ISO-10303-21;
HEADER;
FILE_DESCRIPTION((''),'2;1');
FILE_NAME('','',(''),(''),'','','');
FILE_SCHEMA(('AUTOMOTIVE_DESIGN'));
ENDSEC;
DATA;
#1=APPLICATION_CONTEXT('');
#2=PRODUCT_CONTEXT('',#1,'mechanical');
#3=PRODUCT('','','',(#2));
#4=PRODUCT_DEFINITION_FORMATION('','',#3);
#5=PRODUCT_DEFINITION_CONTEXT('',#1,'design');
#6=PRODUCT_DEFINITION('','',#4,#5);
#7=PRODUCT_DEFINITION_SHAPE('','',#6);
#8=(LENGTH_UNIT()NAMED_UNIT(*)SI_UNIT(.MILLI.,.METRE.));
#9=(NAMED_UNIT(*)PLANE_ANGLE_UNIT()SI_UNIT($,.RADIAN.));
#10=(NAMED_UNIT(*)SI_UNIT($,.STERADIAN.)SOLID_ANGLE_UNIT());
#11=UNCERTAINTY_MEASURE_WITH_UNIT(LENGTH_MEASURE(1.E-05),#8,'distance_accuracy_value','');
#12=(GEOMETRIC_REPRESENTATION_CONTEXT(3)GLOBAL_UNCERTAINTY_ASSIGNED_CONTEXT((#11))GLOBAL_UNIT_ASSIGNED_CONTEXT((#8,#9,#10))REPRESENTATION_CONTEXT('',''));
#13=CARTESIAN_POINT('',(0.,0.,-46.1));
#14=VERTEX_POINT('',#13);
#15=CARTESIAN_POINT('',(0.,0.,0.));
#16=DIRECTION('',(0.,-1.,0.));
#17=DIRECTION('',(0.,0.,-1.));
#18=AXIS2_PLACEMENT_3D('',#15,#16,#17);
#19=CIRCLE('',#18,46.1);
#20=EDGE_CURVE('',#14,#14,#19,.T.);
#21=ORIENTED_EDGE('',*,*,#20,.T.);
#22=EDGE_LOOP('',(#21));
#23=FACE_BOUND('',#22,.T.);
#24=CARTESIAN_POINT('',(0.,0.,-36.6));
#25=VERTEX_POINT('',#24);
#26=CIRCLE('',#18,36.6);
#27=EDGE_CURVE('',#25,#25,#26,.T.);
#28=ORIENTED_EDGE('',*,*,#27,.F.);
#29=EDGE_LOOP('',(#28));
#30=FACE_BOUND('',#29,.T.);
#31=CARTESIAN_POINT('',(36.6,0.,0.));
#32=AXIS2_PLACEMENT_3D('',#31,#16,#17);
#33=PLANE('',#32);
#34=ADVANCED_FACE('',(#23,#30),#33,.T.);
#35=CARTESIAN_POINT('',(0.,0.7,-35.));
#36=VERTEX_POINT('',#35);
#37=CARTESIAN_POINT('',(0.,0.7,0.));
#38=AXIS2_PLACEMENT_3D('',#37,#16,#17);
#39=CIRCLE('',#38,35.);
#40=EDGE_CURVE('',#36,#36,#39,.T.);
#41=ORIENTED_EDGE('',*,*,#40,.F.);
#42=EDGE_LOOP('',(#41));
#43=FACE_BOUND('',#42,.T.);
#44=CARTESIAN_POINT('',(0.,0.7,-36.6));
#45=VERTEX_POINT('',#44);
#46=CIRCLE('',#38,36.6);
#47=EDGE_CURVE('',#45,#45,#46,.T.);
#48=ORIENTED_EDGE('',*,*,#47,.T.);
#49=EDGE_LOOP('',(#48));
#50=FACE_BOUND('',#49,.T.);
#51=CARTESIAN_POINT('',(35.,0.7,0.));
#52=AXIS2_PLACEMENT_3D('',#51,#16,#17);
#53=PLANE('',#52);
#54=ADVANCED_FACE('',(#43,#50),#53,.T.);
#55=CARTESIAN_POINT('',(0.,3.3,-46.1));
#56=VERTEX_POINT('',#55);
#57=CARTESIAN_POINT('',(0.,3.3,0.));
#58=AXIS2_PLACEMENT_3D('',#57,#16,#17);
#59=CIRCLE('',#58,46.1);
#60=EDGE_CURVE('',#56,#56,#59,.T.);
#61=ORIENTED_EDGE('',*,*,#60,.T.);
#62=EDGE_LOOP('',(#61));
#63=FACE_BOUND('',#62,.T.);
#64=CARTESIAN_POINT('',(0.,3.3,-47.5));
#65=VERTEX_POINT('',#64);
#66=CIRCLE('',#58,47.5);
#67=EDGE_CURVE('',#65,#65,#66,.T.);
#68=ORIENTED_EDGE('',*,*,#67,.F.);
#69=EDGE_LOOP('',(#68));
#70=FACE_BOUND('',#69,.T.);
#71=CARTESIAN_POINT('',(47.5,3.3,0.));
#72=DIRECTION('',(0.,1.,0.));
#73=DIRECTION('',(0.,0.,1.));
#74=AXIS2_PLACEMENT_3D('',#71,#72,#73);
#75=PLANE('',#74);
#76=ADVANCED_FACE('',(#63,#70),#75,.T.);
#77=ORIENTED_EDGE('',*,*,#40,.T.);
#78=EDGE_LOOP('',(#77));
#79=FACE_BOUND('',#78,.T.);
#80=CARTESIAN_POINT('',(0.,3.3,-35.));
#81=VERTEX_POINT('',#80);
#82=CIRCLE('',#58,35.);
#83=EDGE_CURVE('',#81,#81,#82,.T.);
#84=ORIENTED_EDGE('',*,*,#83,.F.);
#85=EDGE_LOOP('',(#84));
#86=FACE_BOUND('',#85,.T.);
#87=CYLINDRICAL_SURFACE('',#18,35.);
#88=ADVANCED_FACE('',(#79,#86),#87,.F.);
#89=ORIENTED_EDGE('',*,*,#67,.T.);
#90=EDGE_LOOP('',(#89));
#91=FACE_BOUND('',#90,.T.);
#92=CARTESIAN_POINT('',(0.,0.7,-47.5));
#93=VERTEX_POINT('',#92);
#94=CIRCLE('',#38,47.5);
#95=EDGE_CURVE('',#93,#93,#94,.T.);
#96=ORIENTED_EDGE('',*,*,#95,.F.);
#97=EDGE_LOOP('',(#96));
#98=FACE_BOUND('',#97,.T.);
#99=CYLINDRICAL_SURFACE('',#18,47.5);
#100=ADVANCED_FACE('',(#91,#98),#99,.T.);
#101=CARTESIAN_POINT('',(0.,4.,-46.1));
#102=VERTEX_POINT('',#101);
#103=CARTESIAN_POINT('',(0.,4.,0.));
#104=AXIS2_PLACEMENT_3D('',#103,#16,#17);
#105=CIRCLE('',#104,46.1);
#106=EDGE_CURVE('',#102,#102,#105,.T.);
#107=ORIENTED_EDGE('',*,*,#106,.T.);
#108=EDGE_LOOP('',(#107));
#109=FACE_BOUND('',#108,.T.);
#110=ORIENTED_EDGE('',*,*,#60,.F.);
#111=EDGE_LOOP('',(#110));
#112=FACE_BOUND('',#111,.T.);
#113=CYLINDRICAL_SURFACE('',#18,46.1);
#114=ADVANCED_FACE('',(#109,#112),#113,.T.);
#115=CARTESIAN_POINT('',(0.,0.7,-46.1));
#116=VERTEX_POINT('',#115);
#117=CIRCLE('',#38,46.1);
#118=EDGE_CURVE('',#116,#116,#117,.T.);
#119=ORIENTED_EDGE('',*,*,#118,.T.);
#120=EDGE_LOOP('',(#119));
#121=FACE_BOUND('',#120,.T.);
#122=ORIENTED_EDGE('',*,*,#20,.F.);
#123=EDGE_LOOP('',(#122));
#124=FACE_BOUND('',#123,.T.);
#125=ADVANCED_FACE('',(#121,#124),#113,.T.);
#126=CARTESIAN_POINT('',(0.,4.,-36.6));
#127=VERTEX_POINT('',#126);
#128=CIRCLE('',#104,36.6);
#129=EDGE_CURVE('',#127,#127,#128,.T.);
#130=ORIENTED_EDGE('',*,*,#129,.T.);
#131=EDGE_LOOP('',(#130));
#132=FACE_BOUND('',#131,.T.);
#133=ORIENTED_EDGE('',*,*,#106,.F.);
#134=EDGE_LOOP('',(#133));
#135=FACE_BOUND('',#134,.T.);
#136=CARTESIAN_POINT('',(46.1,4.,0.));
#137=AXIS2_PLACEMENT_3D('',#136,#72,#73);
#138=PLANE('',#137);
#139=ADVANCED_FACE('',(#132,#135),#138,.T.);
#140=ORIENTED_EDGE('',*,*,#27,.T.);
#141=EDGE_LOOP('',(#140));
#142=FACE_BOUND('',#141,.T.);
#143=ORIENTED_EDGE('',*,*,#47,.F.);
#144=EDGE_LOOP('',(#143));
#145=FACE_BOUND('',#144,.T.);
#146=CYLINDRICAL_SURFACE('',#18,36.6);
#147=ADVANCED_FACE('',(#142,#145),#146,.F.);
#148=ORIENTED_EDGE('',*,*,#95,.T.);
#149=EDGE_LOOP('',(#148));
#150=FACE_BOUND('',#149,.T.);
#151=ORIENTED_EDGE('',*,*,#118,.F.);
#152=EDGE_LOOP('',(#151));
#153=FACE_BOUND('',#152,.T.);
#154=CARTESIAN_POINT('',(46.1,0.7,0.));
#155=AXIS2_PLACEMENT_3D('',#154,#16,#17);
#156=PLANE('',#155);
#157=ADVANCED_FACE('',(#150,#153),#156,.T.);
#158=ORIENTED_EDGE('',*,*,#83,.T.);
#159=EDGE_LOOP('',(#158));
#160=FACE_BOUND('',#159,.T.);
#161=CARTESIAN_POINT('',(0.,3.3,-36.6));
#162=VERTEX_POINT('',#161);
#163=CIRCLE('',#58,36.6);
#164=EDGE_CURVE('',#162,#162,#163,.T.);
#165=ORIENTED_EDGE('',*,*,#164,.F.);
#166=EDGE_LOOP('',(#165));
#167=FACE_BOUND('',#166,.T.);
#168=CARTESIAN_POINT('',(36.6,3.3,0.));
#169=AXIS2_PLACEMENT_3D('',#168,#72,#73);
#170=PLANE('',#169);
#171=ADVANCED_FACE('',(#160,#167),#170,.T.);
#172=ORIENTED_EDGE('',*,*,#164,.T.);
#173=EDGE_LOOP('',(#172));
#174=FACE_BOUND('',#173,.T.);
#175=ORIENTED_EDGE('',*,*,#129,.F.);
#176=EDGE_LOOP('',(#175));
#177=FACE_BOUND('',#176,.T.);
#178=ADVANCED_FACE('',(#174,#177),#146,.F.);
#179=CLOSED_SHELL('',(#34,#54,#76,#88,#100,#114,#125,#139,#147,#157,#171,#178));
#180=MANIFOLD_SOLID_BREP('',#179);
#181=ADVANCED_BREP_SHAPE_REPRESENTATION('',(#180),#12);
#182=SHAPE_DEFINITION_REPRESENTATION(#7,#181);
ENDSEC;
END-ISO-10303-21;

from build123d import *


with BuildPart() as part:
    # Skizze1 → Rotation1 (revolve)
    with BuildSketch(Plane.XY, mode=Mode.PRIVATE) as rotation1_sk:
        Polygon((36.6, 0), (46.1, 0), (46.1, 0.7), (47.5, 0.7), (47.5, 3.3), (46.1, 3.3), (46.1, 4), (36.6, 4), (36.6, 3.3), (35, 3.3), (35, 0.7), (36.6, 0.7), align=None)
    revolve(rotation1_sk.sketch.rotate(Axis((0, 0, 0), (0, 1, 0)), 90), axis=Axis((0, 0, 0), (0, 1, 0)))


solid = part.part
